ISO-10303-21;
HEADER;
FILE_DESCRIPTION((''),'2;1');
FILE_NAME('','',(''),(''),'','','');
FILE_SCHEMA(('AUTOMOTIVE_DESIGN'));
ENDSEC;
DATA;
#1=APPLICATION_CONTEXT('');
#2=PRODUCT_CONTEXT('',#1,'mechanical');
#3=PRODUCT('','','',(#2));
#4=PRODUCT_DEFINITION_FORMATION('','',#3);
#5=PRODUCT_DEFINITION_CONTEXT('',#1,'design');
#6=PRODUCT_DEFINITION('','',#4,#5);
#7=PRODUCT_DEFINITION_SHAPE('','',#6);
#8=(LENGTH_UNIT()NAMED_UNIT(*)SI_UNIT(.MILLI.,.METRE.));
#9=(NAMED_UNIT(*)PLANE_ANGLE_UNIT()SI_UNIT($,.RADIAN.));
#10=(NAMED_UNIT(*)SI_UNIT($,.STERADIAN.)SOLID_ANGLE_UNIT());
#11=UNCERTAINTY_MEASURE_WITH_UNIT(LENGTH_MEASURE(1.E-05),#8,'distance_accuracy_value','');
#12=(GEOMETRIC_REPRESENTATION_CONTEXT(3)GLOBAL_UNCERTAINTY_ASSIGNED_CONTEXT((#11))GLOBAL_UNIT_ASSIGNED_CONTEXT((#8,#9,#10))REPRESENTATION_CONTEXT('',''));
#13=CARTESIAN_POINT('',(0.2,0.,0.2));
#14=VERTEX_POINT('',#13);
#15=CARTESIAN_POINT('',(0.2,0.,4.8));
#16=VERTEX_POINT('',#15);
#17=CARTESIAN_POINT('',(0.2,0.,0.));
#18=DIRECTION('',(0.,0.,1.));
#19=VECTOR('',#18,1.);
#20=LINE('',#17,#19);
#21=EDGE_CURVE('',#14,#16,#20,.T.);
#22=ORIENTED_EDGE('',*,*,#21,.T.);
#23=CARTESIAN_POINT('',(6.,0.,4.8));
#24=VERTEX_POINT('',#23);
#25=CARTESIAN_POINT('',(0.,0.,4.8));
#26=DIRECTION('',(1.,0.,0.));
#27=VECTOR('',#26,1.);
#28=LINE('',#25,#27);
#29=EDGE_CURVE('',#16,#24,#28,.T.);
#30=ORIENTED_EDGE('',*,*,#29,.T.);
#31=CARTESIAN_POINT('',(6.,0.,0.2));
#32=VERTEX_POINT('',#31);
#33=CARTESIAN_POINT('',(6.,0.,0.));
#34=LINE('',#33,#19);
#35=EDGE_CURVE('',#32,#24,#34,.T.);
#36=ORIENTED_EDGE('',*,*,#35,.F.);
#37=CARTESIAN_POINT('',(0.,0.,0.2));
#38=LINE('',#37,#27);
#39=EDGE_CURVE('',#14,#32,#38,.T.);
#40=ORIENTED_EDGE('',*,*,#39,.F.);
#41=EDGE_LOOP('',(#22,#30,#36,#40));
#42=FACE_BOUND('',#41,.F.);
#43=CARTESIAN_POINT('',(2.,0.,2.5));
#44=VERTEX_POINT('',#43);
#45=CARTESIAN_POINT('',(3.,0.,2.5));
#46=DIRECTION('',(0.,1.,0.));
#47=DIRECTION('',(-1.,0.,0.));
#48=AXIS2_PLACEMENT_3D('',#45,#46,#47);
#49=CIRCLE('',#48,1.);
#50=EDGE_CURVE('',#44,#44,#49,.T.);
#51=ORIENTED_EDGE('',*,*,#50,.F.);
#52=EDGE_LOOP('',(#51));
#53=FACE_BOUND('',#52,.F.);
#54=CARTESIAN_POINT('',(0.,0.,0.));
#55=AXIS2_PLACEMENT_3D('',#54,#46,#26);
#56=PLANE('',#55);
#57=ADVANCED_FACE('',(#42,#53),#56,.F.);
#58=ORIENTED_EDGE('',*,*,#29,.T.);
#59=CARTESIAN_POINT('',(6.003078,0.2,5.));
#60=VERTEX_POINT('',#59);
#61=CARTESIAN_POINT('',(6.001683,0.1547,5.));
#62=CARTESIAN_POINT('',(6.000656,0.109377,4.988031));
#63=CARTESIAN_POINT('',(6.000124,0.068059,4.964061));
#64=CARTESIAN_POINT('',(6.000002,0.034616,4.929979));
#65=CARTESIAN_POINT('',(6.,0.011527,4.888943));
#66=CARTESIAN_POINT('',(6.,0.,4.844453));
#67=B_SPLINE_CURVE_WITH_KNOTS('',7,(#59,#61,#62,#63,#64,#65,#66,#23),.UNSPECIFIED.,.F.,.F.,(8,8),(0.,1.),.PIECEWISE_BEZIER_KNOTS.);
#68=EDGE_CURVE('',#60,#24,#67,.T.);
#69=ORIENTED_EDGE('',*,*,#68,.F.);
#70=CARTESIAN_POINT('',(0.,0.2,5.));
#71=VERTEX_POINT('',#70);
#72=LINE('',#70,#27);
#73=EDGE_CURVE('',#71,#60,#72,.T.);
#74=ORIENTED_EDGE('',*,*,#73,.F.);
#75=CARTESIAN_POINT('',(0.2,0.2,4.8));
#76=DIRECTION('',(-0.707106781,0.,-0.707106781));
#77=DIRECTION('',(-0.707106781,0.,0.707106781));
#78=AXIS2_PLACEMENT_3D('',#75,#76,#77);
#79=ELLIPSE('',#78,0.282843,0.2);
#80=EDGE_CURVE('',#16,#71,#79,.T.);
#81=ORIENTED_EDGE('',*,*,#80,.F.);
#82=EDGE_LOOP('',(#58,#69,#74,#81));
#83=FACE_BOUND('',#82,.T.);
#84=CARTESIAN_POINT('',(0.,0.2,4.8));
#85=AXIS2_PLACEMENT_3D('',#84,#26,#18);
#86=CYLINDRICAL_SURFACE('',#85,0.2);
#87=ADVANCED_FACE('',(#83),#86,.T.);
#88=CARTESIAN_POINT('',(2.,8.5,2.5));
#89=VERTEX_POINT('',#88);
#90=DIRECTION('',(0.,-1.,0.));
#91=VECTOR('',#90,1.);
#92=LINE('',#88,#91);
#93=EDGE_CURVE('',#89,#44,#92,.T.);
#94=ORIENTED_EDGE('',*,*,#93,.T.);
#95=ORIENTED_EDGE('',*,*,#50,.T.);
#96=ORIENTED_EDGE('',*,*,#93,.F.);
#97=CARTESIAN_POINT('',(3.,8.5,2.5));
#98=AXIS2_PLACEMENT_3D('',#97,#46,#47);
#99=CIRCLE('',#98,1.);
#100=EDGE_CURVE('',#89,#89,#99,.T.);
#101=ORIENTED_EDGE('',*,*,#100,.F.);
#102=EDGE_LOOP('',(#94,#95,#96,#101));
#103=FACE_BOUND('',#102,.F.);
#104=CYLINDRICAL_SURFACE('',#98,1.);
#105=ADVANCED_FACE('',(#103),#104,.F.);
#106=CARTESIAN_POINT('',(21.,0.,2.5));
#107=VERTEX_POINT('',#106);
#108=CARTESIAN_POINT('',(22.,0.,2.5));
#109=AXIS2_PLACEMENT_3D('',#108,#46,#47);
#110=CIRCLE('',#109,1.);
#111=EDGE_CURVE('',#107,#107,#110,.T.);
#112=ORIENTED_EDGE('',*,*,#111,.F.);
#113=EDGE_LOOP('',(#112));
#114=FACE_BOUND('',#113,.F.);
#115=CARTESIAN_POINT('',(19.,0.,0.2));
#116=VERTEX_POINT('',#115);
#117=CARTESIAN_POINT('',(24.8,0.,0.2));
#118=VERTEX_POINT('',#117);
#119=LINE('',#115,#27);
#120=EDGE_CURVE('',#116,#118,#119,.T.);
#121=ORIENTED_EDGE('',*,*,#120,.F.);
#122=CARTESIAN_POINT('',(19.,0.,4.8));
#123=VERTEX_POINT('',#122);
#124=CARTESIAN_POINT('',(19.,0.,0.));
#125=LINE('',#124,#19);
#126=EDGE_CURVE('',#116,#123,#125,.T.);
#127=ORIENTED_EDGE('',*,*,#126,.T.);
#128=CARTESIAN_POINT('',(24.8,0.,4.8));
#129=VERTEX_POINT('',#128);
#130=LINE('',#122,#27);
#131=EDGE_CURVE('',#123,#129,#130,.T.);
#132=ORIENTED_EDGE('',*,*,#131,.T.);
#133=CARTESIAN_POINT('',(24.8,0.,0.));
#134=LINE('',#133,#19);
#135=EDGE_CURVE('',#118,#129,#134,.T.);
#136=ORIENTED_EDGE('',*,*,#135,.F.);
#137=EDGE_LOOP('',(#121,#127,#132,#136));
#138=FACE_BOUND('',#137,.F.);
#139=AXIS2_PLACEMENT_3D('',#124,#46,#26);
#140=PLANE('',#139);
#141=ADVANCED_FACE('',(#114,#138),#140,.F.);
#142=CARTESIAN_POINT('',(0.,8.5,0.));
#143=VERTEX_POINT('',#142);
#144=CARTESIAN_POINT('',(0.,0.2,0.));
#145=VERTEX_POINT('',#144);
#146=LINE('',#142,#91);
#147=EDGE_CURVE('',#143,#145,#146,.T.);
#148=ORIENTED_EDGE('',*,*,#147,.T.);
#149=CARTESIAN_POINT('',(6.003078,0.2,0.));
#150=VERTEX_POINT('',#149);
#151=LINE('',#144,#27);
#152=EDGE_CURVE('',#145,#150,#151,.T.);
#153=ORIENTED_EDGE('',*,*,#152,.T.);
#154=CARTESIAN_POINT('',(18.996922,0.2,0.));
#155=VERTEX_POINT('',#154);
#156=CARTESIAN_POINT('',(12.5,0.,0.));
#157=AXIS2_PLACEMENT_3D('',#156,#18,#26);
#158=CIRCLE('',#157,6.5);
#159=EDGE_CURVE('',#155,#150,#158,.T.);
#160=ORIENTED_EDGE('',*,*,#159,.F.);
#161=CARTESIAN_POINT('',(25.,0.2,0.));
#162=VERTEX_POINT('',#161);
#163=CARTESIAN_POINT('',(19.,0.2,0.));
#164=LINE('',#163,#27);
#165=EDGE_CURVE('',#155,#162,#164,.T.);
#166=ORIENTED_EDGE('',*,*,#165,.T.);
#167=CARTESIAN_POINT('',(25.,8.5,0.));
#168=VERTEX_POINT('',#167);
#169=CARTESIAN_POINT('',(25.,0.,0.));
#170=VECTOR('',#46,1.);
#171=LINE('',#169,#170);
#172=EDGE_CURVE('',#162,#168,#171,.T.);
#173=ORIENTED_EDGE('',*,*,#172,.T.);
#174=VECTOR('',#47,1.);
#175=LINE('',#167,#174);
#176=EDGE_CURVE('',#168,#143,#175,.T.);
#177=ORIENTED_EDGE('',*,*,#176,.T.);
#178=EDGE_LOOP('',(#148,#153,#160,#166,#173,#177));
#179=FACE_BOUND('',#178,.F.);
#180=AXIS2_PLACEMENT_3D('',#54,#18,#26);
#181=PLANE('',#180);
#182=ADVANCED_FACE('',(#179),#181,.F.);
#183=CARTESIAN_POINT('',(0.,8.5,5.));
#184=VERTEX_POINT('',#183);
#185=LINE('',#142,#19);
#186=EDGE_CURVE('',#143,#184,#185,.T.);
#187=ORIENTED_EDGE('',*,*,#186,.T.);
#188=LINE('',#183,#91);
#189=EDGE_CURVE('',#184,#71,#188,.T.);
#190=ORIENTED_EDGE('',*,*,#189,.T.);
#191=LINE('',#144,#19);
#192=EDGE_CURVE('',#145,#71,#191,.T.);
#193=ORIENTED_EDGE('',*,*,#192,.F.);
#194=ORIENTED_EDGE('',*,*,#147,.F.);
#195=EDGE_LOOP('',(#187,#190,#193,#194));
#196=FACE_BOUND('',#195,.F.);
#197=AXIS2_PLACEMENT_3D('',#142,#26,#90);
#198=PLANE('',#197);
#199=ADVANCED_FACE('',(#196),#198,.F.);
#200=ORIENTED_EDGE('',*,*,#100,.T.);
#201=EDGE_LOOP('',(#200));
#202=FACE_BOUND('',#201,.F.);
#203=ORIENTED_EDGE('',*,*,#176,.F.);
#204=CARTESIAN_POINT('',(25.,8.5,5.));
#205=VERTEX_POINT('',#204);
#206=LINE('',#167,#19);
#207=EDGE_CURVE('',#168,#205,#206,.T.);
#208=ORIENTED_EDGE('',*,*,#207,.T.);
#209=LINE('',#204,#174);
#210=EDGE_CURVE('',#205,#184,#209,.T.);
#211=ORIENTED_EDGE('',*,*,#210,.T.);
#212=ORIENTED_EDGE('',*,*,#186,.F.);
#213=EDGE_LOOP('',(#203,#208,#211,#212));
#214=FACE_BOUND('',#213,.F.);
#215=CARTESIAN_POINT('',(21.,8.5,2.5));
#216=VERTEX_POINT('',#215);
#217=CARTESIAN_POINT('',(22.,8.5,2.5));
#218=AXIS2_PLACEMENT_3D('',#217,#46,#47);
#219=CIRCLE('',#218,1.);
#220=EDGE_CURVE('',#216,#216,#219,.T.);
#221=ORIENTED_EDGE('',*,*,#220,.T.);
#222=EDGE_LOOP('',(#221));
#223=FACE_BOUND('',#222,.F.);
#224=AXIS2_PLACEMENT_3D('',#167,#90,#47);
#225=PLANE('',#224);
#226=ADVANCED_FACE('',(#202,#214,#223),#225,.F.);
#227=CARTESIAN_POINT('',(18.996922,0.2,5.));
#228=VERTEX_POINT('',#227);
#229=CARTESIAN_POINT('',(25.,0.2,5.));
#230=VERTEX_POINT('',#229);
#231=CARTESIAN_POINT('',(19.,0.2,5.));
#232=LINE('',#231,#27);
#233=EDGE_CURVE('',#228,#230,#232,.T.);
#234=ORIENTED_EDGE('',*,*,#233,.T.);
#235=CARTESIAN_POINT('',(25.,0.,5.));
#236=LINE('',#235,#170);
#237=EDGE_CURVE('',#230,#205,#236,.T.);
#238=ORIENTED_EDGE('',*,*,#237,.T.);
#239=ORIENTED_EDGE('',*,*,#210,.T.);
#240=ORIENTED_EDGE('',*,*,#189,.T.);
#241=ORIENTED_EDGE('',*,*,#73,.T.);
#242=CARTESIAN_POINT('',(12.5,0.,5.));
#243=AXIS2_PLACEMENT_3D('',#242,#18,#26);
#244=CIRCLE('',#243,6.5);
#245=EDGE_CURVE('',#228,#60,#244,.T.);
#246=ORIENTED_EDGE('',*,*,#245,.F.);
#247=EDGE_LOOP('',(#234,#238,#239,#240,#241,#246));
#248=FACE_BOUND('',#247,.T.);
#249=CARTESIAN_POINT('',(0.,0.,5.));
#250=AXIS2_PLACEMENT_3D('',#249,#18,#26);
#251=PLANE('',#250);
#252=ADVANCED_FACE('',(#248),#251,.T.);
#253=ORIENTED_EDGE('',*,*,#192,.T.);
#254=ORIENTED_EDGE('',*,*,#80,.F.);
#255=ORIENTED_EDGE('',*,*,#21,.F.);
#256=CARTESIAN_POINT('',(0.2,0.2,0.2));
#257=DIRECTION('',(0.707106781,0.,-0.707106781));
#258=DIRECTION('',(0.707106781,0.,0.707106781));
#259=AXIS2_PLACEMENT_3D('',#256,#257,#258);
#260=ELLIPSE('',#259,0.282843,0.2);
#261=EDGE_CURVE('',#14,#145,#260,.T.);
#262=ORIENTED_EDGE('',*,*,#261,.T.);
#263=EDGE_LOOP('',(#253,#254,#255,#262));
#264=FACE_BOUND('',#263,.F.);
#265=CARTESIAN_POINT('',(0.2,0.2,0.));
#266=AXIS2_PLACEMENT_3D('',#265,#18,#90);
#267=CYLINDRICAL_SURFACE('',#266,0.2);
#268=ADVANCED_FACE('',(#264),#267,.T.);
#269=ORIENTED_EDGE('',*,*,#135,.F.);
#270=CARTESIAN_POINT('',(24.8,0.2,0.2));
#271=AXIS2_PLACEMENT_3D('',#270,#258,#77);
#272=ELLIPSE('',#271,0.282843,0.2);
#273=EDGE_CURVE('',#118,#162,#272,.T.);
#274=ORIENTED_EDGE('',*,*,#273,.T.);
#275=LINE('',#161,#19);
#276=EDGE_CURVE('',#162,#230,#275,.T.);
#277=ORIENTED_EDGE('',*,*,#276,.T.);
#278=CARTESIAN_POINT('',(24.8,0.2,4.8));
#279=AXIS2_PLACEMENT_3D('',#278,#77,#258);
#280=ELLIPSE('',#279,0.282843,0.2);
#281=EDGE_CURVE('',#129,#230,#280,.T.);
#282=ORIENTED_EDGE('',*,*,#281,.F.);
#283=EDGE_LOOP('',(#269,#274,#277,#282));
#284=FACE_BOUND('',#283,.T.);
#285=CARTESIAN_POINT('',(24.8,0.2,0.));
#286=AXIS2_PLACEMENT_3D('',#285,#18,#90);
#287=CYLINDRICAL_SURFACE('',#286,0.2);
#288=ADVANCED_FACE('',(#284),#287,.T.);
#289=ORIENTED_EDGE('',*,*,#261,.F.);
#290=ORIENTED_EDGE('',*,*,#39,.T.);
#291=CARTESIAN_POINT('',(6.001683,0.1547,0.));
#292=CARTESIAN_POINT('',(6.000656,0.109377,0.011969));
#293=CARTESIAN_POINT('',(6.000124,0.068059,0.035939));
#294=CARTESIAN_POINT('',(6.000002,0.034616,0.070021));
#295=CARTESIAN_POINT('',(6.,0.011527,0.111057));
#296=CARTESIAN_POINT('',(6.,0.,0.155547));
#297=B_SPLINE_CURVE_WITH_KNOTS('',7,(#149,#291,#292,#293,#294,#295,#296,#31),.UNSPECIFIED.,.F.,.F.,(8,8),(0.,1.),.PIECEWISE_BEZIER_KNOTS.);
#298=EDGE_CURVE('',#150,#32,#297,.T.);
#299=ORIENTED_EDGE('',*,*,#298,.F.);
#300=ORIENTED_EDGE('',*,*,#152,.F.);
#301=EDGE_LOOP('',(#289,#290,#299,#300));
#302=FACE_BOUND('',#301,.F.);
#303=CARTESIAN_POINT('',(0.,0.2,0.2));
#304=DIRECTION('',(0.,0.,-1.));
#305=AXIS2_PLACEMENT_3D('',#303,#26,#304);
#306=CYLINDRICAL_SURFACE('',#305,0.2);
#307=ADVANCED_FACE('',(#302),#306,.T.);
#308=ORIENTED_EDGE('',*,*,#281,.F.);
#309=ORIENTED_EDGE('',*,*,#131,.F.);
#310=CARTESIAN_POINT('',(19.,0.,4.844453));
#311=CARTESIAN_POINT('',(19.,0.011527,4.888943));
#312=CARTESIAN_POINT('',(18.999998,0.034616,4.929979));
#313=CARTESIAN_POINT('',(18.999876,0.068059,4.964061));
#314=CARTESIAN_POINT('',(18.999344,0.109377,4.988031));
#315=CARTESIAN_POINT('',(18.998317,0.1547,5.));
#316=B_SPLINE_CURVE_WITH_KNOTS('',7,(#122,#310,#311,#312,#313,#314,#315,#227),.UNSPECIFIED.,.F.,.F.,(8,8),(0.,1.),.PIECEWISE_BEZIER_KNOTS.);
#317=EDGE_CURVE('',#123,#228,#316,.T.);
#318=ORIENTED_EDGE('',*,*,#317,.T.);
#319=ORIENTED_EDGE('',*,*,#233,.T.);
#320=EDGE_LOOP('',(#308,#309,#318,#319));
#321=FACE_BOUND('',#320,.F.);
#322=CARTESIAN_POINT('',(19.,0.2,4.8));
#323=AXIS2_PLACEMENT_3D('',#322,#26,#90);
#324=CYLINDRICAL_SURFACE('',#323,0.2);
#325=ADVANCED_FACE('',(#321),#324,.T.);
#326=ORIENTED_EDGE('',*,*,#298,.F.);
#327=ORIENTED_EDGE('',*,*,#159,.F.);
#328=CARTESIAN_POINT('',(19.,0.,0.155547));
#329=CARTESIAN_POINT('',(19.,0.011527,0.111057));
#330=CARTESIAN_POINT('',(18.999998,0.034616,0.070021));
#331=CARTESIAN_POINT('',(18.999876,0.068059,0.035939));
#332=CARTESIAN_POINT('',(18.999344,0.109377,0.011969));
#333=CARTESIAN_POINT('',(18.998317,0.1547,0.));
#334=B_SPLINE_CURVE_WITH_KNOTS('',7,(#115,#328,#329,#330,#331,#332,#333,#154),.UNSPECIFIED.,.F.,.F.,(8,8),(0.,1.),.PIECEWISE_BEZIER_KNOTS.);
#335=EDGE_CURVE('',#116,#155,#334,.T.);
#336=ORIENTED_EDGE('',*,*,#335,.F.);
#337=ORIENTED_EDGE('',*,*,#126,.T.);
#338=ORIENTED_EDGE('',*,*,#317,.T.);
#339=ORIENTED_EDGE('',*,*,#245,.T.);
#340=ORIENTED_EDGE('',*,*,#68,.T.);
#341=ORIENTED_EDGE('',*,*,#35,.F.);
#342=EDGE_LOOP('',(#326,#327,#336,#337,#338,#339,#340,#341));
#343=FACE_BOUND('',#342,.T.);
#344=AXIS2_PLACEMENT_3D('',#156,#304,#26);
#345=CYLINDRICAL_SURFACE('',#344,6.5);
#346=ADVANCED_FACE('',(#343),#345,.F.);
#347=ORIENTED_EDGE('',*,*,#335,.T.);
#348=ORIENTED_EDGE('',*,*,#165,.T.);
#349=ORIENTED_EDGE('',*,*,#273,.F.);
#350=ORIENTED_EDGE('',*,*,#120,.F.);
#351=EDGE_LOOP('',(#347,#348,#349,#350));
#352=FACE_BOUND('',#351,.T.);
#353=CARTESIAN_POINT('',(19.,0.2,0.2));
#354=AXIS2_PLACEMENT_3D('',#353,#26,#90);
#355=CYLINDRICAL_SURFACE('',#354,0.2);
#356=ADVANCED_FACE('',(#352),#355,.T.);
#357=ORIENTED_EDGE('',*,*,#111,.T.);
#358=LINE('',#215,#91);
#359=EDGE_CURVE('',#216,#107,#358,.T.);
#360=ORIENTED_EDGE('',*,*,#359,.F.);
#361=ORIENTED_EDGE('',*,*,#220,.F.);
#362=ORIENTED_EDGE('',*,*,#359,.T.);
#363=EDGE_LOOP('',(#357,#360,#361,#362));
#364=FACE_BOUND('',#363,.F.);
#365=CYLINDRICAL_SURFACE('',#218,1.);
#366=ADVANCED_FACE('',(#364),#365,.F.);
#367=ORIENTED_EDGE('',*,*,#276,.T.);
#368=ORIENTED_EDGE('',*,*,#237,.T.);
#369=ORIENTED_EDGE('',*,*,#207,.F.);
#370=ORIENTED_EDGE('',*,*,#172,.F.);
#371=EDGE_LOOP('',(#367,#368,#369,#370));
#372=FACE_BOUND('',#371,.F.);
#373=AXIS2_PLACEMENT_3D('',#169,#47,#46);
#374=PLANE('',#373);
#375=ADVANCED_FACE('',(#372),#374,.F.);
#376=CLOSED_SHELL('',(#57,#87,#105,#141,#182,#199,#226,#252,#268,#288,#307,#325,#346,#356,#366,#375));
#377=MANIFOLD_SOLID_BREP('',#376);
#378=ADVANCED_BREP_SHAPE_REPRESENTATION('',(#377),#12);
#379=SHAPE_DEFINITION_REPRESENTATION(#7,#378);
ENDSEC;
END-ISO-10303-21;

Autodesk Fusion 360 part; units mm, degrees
sketch "Sketch1" plane through (0, 0, 0) normal (0, 0, 1) x (1, 0, 0)
  line L0 (25, 0) -> (25, 8.5)
  line L1 (25, 8.5) -> (0, 8.5)
  line L2 (0, 8.5) -> (0, 0)
  arc A0 (19, 0) -> (6, 0) centre (12.5, 0) ccw
  line L3 (0, 0) -> (6, 0)
  line L4 (19, 0) -> (25, 0)
  dimension "d1" = 25
  dimension "d2" = 8.5
  dimension "d3" = 13
extrude "Extrude1" add sketch "Sketch1" along normal blind 5
sketch "Sketch2" plane through (0, 8.5, 0) normal (0, 1, 0) x (-1, 0, 0)
  line L0 (-25, 0) -> (0, 0)
  line L1 (0, 0) -> (0, 5)
  line L2 (0, 5) -> (-25, 5)
  line L3 (-25, 5) -> (-25, 0)
  line L4 (-19, 0) -> (-19, 5)
  line L5 (-6, 0) -> (-6, 5)
  line L6 (0, 5) -> (-6, 0) construction
  line L7 (-12.5, 0) -> (-12.5, 5)
  circle A0 centre (-3, 2.5) radius 1
  circle A1 centre (-22, 2.5) radius 1
  dimension "d6" = 2
extrude "Extrude2" cut sketch "Sketch2" against normal through all contours A0 | A1
fillet "Fillet1" radius 0.2 6 edges at (0, 0, 2.5) (3, 0, 0) (3, 0, 5) (22, 0, 5) (25, 0, 2.5) (22, 0, 0)
